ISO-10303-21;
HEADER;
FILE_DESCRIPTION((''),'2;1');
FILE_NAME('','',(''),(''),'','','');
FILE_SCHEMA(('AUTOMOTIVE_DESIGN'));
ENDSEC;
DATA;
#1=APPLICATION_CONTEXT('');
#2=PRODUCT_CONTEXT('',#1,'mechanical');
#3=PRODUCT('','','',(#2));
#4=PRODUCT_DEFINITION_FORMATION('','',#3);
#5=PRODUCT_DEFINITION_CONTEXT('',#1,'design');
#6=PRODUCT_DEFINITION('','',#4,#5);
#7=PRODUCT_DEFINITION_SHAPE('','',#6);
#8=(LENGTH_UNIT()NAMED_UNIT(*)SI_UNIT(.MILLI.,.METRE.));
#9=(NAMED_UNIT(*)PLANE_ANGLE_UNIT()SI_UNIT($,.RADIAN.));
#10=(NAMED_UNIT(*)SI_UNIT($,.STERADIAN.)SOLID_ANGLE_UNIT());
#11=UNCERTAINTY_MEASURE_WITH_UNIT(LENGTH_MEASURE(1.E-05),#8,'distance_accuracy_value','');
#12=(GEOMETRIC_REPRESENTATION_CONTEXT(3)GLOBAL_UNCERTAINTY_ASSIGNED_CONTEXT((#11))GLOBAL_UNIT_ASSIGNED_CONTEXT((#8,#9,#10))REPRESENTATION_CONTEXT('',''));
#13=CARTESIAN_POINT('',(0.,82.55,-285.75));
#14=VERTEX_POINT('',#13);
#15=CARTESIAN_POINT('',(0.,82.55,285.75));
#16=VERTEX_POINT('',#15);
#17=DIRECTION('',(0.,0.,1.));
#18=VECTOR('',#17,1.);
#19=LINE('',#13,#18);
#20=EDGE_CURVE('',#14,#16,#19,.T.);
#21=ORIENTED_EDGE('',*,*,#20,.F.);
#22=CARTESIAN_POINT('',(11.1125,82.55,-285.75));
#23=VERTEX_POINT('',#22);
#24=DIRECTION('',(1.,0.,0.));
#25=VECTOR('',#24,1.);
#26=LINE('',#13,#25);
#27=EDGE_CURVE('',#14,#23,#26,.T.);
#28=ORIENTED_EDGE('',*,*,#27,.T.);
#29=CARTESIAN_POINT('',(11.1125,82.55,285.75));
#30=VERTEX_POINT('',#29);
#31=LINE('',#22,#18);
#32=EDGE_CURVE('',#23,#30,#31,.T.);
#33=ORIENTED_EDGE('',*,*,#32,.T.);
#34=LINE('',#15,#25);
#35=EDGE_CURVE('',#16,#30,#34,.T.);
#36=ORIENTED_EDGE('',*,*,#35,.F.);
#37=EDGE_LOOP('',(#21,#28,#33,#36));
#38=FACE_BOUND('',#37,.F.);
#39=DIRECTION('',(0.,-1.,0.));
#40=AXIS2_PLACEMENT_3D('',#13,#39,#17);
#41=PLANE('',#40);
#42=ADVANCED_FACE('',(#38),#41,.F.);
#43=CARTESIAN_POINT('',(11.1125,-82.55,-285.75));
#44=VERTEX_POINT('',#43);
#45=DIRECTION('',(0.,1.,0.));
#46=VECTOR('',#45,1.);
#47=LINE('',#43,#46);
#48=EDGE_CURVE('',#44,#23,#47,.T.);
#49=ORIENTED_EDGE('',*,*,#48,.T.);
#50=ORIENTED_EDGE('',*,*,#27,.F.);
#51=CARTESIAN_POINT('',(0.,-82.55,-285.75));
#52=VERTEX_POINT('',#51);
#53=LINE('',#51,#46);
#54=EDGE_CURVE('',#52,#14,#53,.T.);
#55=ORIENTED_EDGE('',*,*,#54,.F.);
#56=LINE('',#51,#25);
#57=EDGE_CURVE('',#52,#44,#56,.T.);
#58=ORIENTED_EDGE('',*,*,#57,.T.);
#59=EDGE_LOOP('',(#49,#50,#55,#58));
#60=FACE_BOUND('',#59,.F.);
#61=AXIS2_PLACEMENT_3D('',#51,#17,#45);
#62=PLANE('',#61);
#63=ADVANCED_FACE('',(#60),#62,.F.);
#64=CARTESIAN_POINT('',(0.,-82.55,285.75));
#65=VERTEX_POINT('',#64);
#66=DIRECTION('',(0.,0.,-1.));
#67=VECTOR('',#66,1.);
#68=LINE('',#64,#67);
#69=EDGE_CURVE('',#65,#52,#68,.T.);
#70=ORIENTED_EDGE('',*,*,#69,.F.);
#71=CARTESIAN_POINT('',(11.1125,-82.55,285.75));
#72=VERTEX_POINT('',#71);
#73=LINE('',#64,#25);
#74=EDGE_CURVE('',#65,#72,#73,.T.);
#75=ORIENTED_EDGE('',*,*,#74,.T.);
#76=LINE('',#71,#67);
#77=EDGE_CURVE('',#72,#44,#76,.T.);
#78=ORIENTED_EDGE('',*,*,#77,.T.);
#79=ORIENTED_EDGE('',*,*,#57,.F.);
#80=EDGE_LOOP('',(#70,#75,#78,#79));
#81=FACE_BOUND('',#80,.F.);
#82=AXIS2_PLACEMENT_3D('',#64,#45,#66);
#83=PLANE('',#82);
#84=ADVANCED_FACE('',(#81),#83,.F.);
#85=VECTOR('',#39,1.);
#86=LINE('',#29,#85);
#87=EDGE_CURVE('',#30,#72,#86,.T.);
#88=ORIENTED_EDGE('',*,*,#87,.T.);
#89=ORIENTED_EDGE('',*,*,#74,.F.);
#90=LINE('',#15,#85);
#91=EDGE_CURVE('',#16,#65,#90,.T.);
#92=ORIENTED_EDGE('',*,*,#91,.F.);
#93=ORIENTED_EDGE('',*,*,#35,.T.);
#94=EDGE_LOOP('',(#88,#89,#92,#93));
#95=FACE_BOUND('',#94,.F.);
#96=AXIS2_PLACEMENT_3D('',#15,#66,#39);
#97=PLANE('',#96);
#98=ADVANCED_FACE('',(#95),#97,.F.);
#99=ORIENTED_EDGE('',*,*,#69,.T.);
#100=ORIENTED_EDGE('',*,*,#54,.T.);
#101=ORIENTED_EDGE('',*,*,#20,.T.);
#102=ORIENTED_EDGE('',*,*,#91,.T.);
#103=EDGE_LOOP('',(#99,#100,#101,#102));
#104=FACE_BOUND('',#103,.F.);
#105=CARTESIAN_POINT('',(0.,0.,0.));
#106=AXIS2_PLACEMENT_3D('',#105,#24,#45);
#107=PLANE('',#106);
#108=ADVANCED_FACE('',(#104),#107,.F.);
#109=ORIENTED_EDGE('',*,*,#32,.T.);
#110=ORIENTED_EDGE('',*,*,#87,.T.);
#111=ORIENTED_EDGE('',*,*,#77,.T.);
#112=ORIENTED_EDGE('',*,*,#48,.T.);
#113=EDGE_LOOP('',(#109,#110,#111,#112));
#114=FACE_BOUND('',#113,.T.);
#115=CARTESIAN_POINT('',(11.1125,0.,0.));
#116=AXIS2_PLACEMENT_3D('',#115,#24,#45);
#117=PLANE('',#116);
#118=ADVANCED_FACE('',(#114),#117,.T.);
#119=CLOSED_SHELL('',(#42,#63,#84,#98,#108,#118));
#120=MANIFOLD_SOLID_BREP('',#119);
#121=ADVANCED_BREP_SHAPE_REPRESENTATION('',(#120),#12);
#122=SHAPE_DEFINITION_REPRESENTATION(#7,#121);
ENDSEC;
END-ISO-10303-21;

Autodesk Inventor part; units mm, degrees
ref_plane "YZ Plane" through (0, 0, 0) normal (1, 0, 0) x (0, 1, 0)
ref_plane "XZ Plane" through (0, 0, 0) normal (0, 1, 0) x (-1, 0, 0)
ref_plane "XY Plane" through (0, 0, 0) normal (0, 0, 1) x (1, 0, 0)
sketch "Sketch1" plane through (0, 0, 0) normal (1, 0, 0) x (0, 1, 0)
  line L0 (-82.55, 285.75) -> (-82.55, -285.75)
  line L1 (-82.55, -285.75) -> (82.55, -285.75)
  line L2 (82.55, -285.75) -> (82.55, 285.75)
  line L3 (82.55, 285.75) -> (-82.55, 285.75)
  line L4 (-82.55, 285.75) -> (82.55, -285.75) construction
  line L5 (-82.55, -285.75) -> (82.55, 285.75) construction
  point P0 (0, 0)
  dimension "d0" = 571.5
  dimension "d1" = 165.1
extrude "Extrusion1" add sketch "Sketch1" along normal blind 11.1125
properties part number "Home Depot Composite Slat 22_50 in" material "Wood (Cherry)"
